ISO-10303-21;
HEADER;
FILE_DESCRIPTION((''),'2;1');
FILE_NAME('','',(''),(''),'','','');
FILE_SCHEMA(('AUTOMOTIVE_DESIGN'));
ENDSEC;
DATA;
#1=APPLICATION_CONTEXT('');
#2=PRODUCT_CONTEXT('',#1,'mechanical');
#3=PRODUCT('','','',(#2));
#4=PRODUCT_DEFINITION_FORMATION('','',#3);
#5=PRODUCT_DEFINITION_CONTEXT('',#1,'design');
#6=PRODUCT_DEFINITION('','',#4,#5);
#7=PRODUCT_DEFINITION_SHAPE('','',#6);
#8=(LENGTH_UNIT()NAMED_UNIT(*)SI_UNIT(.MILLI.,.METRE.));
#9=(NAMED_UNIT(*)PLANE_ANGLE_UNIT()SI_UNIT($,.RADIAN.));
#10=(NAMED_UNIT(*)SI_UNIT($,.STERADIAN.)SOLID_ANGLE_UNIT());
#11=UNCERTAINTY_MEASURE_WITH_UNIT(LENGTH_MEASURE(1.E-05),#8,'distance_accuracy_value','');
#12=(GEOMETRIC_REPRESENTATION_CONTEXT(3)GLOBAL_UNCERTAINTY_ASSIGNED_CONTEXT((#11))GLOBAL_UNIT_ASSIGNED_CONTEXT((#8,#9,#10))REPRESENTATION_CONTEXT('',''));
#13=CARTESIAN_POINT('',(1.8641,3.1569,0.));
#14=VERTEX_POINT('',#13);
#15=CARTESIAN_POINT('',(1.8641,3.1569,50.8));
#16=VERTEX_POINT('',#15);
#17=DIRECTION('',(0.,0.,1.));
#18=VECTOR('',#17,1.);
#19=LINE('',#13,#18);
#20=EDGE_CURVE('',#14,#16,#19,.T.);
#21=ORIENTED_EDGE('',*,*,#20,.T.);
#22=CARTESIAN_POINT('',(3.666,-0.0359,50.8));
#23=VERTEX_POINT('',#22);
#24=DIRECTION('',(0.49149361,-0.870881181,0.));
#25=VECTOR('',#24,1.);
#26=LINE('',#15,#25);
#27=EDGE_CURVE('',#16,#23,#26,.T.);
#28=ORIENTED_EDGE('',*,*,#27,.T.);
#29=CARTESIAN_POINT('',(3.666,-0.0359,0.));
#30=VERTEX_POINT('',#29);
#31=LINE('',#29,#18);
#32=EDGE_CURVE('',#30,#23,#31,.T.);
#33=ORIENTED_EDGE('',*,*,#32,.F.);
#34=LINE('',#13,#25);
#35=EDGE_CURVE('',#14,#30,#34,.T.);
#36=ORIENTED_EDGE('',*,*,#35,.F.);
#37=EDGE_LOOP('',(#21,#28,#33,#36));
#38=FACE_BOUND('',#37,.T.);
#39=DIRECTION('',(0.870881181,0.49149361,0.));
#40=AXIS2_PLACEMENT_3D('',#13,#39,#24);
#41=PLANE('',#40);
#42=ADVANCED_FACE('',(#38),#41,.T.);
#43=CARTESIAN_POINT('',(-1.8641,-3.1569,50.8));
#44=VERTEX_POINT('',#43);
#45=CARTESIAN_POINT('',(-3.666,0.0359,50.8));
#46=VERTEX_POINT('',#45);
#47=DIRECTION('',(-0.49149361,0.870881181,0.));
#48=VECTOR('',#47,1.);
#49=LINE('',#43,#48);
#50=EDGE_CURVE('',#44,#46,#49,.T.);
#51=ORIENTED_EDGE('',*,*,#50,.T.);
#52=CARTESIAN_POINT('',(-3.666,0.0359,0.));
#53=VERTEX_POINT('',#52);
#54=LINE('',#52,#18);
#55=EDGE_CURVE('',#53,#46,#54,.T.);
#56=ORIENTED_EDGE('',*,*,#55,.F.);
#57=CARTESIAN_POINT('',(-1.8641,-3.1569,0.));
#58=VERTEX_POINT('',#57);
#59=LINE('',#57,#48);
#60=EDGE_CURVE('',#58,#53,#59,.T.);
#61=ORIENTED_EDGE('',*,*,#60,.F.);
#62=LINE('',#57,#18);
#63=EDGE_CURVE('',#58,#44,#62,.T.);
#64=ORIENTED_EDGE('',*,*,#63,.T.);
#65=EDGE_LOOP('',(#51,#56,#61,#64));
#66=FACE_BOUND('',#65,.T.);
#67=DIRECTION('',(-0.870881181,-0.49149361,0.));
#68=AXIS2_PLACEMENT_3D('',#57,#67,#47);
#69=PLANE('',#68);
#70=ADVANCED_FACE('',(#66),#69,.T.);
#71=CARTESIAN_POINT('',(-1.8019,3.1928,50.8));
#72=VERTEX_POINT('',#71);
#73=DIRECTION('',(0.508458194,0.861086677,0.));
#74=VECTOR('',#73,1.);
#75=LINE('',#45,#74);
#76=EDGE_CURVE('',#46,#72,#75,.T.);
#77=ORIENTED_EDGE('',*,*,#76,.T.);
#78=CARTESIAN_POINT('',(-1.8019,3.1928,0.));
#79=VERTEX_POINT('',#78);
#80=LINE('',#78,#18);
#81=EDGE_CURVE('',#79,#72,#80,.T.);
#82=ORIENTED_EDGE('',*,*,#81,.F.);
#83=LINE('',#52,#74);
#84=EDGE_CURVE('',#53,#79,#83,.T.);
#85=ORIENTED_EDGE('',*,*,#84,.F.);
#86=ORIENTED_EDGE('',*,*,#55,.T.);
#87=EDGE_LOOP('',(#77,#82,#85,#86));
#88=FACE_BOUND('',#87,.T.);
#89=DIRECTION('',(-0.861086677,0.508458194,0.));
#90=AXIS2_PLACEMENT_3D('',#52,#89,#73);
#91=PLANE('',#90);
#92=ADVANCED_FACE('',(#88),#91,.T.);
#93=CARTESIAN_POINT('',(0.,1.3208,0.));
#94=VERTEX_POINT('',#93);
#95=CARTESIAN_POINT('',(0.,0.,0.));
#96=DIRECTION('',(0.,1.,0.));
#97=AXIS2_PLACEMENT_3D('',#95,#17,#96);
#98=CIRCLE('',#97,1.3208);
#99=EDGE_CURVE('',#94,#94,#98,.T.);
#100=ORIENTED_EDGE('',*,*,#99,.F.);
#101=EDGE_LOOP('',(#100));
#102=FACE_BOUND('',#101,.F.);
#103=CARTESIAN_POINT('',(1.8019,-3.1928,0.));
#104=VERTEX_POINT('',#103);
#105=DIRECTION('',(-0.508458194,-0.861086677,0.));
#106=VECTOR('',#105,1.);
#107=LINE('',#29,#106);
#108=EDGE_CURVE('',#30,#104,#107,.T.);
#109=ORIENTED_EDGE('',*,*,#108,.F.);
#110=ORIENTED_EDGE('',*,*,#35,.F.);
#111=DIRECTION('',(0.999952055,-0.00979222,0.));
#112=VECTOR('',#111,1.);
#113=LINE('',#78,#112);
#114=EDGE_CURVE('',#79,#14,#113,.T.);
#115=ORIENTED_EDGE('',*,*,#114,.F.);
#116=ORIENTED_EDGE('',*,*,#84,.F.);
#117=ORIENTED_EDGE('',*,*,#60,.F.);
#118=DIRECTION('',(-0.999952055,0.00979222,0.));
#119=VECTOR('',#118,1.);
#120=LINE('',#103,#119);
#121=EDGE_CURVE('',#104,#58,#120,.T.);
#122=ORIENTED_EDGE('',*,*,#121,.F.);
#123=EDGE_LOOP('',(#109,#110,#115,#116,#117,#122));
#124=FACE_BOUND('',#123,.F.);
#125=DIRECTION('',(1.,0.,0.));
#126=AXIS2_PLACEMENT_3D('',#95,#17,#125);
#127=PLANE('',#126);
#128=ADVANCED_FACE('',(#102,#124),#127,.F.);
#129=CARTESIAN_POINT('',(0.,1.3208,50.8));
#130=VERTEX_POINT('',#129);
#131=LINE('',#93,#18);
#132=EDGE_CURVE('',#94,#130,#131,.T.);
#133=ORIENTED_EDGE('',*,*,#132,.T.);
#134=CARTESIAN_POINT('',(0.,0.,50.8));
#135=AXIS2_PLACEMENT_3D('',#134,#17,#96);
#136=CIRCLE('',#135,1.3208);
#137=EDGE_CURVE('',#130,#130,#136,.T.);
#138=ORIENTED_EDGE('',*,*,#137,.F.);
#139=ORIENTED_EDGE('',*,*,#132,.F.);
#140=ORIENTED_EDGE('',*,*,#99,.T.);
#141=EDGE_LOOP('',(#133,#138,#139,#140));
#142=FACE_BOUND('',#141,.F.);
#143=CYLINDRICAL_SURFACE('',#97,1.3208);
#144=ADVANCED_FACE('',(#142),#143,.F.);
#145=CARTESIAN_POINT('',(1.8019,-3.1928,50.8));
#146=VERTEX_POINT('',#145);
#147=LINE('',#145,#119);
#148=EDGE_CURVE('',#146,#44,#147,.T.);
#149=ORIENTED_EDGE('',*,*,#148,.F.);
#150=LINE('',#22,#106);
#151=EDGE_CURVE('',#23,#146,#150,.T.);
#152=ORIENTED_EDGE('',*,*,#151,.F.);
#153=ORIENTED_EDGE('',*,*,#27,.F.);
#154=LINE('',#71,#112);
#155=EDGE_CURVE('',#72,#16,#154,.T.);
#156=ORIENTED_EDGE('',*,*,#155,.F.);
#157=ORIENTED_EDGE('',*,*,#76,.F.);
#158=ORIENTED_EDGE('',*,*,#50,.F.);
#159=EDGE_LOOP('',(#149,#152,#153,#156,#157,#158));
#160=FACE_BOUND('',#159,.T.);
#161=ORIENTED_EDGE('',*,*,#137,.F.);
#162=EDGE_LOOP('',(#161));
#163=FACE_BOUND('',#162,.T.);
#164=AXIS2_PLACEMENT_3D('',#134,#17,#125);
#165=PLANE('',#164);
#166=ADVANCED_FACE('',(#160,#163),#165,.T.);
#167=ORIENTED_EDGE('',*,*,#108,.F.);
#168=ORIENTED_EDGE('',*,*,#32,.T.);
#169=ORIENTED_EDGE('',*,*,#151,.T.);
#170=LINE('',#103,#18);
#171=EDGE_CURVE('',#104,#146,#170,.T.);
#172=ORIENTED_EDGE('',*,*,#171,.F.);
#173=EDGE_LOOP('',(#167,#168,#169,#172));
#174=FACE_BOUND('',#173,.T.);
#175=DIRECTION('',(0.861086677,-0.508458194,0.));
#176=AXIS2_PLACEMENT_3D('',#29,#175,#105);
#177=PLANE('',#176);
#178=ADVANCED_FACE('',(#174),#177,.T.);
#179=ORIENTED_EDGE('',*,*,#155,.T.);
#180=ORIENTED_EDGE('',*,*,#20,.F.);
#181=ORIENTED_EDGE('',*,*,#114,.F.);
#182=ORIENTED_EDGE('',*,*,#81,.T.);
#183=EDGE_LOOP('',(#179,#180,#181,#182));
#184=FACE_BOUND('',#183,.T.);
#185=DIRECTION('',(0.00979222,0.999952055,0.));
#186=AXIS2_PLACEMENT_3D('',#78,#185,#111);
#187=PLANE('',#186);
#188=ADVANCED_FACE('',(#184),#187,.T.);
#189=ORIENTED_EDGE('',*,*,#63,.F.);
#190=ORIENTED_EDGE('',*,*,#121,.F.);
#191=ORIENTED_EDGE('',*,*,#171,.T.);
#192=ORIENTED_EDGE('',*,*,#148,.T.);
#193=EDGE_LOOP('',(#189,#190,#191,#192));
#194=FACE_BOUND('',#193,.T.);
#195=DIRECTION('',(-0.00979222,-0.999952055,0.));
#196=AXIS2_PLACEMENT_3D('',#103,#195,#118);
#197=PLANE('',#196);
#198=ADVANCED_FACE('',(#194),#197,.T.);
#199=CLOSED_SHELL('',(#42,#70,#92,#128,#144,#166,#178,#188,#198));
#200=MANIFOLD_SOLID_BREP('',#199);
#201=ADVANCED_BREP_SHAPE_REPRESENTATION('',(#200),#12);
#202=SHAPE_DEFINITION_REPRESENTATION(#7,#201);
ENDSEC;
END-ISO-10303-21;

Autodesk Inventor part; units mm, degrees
ref_plane "YZ Plane" through (0, 0, 0) normal (1, 0, 0) x (0, 1, 0)
ref_plane "XZ Plane" through (0, 0, 0) normal (0, 1, 0) x (-1, 0, 0)
ref_plane "XY Plane" through (0, 0, 0) normal (0, 0, 1) x (1, 0, 0)
sketch "Sketch1" plane through (0, 0, 0) normal (0, 0, 1) x (1, 0, 0)
  line L0 (1.8641, 3.1569) -> (3.666, -0.0359)
  line L1 (3.666, -0.0359) -> (1.8019, -3.1928)
  line L2 (1.8019, -3.1928) -> (-1.8641, -3.1569)
  line L3 (-1.8641, -3.1569) -> (-3.666, 0.0359)
  line L4 (-3.666, 0.0359) -> (-1.8019, 3.1928)
  line L5 (-1.8019, 3.1928) -> (1.8641, 3.1569)
  point P0 (0, 0)
  point P1 (0, 0)
  point P2 (0, 0)
  dimension "d0" = 6.35
extrude "Extrusion1" add sketch "Sketch1" along normal blind 50.8
hole "Hole1" at (0, 0, 0) direction (0, 0, 1) diameter 2.6416 depth 57.15 tip angle 118 thread size "6-32 UNC" class "2B" standard "ANSI Unified Screw Threads"
properties part number "Hex Standoff 6-32 x2250" material "Aluminum 6061"
